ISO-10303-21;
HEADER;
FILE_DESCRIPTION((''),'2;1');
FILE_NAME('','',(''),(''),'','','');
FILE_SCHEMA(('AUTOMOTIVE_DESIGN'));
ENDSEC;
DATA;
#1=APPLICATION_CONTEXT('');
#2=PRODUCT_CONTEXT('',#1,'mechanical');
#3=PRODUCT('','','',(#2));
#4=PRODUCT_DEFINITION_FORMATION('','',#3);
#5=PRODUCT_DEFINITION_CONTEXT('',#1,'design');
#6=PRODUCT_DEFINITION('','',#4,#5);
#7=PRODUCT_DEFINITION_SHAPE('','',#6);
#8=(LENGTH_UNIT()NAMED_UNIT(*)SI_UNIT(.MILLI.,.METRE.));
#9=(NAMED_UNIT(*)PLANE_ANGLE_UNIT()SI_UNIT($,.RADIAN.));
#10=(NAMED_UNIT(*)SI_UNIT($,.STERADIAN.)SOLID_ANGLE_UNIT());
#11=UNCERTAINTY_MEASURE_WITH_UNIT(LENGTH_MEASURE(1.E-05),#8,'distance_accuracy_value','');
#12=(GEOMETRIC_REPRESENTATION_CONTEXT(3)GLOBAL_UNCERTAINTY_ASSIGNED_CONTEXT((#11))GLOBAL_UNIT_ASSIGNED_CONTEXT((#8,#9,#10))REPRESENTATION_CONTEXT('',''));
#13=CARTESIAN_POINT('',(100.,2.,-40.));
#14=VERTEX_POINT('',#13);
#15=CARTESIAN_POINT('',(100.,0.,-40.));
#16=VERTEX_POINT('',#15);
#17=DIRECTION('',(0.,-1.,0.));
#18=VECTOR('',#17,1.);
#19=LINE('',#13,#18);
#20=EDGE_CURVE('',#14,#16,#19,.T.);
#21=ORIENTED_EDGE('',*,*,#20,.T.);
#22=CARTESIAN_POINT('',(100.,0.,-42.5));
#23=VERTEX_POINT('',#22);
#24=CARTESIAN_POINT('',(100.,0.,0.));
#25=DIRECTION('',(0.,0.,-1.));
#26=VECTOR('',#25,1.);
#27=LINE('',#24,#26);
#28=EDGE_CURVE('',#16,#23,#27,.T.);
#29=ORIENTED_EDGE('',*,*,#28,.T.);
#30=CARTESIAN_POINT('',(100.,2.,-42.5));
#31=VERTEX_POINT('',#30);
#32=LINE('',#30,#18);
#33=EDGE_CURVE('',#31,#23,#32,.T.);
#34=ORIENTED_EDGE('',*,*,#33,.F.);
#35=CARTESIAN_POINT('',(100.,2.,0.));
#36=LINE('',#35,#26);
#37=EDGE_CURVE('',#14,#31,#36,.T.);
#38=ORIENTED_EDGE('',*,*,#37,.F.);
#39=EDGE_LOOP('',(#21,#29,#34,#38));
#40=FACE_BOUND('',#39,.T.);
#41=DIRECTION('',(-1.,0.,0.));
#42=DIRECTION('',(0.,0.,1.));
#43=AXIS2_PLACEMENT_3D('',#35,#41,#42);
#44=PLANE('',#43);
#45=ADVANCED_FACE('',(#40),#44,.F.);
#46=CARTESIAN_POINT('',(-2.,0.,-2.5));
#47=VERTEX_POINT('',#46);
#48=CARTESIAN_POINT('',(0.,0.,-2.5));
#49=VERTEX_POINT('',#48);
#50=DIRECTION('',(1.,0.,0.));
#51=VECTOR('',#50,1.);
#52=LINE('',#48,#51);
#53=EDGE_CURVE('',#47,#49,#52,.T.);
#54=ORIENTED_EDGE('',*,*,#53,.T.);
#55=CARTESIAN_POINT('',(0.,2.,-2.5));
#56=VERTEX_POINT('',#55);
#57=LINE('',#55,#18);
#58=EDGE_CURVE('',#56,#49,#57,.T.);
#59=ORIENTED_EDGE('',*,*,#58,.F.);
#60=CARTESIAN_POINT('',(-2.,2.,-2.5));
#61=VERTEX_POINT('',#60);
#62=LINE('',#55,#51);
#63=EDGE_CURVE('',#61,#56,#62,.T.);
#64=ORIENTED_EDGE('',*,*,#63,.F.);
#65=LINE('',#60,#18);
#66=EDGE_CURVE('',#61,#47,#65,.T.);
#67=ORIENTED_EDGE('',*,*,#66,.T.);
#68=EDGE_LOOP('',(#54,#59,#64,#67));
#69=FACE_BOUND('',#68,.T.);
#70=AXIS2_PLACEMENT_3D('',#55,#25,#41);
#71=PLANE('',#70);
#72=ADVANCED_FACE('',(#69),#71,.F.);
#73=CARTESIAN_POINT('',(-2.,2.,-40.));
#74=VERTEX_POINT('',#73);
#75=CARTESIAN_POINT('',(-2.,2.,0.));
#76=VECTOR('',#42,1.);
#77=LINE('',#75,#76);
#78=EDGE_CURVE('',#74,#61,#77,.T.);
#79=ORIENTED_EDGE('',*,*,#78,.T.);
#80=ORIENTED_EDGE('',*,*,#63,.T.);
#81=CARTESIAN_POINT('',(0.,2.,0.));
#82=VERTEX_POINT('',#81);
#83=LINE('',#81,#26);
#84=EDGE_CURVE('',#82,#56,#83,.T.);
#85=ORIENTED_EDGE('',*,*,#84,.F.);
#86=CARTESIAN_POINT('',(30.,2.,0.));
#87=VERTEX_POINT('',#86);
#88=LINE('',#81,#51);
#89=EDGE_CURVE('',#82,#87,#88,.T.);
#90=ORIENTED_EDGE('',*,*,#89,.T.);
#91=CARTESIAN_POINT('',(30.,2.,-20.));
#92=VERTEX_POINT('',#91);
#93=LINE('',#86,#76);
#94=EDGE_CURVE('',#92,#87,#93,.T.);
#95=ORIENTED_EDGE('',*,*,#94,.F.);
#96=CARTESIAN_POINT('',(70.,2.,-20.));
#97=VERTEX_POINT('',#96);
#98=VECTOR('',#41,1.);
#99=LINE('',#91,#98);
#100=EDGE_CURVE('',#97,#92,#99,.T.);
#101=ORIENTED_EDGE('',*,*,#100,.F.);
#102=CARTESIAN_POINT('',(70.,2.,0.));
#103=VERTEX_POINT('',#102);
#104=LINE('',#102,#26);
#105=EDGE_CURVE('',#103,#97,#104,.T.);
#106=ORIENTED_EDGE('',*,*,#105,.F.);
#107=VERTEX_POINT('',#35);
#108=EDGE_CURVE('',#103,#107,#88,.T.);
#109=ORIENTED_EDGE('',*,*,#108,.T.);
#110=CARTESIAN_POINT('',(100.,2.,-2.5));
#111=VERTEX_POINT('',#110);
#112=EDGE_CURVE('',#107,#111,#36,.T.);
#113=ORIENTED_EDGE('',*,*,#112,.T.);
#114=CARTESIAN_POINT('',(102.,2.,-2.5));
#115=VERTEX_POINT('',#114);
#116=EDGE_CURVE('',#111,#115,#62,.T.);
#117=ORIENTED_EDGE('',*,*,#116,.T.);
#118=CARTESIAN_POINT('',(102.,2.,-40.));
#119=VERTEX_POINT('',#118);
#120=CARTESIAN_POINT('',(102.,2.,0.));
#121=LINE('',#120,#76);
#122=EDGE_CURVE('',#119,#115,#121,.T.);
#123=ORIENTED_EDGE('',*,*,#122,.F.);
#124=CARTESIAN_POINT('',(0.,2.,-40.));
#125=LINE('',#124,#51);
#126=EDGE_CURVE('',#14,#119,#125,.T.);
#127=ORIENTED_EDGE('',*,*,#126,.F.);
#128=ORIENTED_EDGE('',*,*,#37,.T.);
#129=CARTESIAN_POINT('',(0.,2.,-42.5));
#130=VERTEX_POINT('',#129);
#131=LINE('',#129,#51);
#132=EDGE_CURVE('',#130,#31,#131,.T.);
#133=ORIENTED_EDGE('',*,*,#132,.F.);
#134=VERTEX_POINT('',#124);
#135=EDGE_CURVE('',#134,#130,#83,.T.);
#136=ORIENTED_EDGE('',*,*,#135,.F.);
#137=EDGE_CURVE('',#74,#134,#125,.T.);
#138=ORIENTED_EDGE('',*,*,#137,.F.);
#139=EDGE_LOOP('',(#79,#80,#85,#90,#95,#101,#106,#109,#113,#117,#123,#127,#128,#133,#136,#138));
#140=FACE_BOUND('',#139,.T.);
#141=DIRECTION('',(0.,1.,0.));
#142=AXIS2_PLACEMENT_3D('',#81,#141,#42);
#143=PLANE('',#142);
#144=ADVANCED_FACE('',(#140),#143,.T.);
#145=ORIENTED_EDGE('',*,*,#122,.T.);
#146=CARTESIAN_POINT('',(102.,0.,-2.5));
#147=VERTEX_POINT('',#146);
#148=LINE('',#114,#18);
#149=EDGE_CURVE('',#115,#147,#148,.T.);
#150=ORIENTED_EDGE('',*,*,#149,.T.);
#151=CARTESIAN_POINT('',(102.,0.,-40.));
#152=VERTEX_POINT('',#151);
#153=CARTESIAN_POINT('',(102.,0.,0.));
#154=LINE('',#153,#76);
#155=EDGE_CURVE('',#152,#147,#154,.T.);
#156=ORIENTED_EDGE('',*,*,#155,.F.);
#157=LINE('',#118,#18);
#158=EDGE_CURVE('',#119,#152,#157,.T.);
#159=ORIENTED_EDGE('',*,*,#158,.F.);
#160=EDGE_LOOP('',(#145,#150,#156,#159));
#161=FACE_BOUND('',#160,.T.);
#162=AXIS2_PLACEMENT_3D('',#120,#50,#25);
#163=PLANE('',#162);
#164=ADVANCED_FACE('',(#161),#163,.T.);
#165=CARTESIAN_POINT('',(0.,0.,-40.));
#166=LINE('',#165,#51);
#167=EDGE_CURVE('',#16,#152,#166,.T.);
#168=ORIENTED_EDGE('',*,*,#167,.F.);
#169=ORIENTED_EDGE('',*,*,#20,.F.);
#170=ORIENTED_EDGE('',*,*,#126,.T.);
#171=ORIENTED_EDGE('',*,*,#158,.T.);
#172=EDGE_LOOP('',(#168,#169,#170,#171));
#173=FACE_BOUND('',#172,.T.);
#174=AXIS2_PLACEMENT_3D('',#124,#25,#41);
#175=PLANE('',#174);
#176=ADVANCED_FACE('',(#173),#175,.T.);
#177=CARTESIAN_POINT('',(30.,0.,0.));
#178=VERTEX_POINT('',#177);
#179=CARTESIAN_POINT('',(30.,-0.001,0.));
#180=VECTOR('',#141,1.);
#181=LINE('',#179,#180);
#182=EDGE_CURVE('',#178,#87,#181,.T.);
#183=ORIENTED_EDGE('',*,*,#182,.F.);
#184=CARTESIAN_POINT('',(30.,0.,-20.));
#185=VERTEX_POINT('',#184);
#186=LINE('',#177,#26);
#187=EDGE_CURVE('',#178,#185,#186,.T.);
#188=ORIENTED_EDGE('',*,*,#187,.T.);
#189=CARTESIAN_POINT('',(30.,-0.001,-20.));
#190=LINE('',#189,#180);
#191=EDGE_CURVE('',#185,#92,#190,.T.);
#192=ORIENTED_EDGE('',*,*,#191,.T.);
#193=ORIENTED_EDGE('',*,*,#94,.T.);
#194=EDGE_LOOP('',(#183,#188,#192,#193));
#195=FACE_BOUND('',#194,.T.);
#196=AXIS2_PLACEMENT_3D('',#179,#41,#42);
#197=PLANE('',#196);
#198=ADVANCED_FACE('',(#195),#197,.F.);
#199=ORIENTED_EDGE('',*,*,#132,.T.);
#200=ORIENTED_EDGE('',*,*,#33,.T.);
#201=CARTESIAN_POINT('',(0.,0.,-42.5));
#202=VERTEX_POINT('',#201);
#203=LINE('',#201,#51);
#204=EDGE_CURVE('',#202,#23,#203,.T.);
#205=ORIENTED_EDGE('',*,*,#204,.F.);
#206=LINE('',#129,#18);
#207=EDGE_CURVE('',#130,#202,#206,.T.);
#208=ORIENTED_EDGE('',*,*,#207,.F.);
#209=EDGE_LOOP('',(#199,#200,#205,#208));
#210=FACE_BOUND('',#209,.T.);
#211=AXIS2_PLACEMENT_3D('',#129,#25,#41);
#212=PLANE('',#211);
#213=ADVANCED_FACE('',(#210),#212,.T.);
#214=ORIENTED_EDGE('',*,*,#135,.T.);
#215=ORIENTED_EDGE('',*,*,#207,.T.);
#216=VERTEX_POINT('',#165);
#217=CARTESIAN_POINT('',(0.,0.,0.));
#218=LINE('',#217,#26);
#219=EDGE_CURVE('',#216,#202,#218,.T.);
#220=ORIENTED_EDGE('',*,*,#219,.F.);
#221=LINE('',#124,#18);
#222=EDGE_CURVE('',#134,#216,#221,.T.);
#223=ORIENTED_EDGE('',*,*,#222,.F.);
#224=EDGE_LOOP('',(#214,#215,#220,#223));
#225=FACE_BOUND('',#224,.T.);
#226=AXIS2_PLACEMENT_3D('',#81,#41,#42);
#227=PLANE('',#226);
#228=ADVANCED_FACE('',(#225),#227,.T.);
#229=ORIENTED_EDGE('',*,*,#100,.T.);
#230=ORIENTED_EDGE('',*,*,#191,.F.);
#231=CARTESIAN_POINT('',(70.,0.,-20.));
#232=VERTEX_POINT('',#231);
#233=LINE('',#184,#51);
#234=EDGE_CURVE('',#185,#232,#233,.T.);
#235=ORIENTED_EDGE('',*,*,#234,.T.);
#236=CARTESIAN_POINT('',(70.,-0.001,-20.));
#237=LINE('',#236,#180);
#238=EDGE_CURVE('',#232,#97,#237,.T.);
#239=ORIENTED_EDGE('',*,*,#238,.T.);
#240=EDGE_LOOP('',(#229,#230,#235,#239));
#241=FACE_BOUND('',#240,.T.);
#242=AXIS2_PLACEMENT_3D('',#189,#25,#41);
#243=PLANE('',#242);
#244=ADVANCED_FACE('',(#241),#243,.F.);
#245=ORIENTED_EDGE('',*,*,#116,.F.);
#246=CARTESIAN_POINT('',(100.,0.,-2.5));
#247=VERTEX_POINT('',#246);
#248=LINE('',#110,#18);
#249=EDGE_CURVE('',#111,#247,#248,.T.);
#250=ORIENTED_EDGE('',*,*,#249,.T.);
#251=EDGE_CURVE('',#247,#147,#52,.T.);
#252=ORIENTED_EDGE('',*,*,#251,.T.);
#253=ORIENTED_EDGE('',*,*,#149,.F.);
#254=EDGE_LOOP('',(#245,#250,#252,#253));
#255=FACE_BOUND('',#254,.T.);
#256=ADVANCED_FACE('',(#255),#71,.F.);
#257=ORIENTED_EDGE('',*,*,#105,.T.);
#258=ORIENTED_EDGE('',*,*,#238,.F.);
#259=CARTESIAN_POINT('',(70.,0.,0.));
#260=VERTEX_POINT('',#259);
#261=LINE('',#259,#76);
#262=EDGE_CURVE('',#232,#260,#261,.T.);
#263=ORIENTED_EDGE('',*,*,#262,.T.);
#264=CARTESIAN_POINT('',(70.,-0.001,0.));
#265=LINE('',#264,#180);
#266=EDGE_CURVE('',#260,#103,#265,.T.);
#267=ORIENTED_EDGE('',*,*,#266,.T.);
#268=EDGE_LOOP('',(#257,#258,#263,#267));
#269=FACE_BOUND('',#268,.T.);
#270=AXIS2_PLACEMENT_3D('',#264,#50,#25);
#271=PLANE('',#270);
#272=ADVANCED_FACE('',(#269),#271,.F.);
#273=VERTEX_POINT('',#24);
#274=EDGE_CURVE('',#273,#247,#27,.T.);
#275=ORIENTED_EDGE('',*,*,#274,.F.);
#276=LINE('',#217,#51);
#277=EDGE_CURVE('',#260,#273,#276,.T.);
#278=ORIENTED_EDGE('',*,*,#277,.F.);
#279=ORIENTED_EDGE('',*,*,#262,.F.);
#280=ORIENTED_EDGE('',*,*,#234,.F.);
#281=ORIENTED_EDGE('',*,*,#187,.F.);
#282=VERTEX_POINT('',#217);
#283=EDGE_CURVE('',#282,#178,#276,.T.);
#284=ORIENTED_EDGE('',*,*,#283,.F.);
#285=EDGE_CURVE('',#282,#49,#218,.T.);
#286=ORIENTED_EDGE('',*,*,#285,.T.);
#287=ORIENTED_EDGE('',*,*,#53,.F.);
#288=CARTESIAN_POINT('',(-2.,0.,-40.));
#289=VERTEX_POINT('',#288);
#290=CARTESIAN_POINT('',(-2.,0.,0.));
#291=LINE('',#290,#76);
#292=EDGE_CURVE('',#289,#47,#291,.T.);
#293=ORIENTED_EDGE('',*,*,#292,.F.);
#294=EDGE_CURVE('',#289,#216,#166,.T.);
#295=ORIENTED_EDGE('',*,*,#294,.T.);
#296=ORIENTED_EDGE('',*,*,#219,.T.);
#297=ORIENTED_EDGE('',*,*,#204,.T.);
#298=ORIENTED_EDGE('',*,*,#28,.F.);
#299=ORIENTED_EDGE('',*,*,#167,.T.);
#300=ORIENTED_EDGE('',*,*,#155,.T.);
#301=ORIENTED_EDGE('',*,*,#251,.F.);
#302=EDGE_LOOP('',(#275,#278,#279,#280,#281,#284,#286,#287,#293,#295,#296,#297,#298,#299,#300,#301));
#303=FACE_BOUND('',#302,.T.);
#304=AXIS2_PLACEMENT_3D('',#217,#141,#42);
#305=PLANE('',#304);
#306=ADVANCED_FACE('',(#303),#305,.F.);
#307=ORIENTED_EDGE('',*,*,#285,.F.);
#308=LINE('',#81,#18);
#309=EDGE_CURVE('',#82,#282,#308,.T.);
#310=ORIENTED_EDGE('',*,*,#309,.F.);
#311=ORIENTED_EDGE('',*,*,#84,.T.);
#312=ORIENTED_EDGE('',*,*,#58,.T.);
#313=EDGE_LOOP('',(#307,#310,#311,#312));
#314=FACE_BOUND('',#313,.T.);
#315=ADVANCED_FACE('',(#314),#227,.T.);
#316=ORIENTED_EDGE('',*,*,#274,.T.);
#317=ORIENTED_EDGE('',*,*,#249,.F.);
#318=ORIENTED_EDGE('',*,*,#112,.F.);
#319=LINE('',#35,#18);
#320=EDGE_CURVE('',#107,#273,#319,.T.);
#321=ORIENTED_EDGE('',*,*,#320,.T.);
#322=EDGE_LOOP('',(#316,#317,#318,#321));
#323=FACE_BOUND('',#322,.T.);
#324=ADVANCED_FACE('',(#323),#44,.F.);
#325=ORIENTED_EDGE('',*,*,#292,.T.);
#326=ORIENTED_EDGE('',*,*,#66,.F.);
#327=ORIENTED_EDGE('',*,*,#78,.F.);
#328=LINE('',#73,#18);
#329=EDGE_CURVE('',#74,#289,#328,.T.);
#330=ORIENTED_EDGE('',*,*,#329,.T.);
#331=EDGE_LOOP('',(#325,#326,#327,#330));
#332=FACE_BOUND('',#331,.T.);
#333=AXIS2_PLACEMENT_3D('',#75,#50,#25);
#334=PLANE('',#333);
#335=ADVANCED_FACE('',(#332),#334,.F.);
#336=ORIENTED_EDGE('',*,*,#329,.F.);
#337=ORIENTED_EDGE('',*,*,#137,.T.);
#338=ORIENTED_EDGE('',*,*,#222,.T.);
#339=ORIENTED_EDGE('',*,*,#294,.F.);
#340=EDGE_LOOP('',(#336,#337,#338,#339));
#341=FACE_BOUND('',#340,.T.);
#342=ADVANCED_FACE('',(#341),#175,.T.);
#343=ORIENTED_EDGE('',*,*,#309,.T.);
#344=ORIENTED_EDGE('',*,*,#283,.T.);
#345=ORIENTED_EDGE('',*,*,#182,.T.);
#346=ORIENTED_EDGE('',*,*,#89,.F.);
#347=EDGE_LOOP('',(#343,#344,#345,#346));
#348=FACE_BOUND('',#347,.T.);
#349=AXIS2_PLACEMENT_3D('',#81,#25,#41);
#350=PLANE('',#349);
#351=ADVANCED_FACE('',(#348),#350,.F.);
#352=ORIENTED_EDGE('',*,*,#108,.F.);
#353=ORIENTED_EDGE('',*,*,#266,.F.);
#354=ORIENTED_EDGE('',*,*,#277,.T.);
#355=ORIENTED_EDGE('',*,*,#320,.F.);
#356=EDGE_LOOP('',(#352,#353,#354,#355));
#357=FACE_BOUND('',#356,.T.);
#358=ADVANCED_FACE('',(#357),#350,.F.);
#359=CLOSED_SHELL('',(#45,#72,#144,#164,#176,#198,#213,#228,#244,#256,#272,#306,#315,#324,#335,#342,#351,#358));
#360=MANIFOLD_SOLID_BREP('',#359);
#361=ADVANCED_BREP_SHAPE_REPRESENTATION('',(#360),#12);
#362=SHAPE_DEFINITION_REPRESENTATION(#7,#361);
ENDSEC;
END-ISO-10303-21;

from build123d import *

# Parameters (mm, degrees)
SKETCH_1_W          = 2
SKETCH_1_H          = 37.5
SKETCH_1_W_2        = 100
SKETCH_1_H_2        = 42.5
EXTRUDE_1_DEPTH     = 2
CUT_EXTRUDE_1_REACH = 112.518
SKETCH_2_W          = 40
SKETCH_2_H          = 20


with BuildPart() as part:
    # 草图1 → 凸台-拉伸1 (new body)
    with BuildSketch(Plane(origin=(0, 0, 0), x_dir=(1, 0, 0), z_dir=(0, 1, 0))):
        with Locations((-1, 21.25)):
            Rectangle(SKETCH_1_W, SKETCH_1_H)
        with Locations((50, 21.25)):
            Rectangle(SKETCH_1_W_2, SKETCH_1_H_2)
        with Locations((101, 21.25)):
            Rectangle(SKETCH_1_W, SKETCH_1_H)
    extrude(amount=EXTRUDE_1_DEPTH)

    # 草图2 → 切除-拉伸1 (cut, up to next)
    with BuildSketch(Plane(origin=(0, 2, 0), x_dir=(1, 0, 0), z_dir=(0, 1, 0)), mode=Mode.PRIVATE) as cut_extrude_1_sk1:
        with Locations((50, 10)):
            Rectangle(SKETCH_2_W, SKETCH_2_H)
    cut_extrude_1_tool1 = extrude(cut_extrude_1_sk1.sketch, amount=-CUT_EXTRUDE_1_REACH, mode=Mode.PRIVATE) & part.part
    add(cut_extrude_1_tool1.solids().sort_by_distance((50, 2, -10))[0], mode=Mode.SUBTRACT)


solid = part.part
